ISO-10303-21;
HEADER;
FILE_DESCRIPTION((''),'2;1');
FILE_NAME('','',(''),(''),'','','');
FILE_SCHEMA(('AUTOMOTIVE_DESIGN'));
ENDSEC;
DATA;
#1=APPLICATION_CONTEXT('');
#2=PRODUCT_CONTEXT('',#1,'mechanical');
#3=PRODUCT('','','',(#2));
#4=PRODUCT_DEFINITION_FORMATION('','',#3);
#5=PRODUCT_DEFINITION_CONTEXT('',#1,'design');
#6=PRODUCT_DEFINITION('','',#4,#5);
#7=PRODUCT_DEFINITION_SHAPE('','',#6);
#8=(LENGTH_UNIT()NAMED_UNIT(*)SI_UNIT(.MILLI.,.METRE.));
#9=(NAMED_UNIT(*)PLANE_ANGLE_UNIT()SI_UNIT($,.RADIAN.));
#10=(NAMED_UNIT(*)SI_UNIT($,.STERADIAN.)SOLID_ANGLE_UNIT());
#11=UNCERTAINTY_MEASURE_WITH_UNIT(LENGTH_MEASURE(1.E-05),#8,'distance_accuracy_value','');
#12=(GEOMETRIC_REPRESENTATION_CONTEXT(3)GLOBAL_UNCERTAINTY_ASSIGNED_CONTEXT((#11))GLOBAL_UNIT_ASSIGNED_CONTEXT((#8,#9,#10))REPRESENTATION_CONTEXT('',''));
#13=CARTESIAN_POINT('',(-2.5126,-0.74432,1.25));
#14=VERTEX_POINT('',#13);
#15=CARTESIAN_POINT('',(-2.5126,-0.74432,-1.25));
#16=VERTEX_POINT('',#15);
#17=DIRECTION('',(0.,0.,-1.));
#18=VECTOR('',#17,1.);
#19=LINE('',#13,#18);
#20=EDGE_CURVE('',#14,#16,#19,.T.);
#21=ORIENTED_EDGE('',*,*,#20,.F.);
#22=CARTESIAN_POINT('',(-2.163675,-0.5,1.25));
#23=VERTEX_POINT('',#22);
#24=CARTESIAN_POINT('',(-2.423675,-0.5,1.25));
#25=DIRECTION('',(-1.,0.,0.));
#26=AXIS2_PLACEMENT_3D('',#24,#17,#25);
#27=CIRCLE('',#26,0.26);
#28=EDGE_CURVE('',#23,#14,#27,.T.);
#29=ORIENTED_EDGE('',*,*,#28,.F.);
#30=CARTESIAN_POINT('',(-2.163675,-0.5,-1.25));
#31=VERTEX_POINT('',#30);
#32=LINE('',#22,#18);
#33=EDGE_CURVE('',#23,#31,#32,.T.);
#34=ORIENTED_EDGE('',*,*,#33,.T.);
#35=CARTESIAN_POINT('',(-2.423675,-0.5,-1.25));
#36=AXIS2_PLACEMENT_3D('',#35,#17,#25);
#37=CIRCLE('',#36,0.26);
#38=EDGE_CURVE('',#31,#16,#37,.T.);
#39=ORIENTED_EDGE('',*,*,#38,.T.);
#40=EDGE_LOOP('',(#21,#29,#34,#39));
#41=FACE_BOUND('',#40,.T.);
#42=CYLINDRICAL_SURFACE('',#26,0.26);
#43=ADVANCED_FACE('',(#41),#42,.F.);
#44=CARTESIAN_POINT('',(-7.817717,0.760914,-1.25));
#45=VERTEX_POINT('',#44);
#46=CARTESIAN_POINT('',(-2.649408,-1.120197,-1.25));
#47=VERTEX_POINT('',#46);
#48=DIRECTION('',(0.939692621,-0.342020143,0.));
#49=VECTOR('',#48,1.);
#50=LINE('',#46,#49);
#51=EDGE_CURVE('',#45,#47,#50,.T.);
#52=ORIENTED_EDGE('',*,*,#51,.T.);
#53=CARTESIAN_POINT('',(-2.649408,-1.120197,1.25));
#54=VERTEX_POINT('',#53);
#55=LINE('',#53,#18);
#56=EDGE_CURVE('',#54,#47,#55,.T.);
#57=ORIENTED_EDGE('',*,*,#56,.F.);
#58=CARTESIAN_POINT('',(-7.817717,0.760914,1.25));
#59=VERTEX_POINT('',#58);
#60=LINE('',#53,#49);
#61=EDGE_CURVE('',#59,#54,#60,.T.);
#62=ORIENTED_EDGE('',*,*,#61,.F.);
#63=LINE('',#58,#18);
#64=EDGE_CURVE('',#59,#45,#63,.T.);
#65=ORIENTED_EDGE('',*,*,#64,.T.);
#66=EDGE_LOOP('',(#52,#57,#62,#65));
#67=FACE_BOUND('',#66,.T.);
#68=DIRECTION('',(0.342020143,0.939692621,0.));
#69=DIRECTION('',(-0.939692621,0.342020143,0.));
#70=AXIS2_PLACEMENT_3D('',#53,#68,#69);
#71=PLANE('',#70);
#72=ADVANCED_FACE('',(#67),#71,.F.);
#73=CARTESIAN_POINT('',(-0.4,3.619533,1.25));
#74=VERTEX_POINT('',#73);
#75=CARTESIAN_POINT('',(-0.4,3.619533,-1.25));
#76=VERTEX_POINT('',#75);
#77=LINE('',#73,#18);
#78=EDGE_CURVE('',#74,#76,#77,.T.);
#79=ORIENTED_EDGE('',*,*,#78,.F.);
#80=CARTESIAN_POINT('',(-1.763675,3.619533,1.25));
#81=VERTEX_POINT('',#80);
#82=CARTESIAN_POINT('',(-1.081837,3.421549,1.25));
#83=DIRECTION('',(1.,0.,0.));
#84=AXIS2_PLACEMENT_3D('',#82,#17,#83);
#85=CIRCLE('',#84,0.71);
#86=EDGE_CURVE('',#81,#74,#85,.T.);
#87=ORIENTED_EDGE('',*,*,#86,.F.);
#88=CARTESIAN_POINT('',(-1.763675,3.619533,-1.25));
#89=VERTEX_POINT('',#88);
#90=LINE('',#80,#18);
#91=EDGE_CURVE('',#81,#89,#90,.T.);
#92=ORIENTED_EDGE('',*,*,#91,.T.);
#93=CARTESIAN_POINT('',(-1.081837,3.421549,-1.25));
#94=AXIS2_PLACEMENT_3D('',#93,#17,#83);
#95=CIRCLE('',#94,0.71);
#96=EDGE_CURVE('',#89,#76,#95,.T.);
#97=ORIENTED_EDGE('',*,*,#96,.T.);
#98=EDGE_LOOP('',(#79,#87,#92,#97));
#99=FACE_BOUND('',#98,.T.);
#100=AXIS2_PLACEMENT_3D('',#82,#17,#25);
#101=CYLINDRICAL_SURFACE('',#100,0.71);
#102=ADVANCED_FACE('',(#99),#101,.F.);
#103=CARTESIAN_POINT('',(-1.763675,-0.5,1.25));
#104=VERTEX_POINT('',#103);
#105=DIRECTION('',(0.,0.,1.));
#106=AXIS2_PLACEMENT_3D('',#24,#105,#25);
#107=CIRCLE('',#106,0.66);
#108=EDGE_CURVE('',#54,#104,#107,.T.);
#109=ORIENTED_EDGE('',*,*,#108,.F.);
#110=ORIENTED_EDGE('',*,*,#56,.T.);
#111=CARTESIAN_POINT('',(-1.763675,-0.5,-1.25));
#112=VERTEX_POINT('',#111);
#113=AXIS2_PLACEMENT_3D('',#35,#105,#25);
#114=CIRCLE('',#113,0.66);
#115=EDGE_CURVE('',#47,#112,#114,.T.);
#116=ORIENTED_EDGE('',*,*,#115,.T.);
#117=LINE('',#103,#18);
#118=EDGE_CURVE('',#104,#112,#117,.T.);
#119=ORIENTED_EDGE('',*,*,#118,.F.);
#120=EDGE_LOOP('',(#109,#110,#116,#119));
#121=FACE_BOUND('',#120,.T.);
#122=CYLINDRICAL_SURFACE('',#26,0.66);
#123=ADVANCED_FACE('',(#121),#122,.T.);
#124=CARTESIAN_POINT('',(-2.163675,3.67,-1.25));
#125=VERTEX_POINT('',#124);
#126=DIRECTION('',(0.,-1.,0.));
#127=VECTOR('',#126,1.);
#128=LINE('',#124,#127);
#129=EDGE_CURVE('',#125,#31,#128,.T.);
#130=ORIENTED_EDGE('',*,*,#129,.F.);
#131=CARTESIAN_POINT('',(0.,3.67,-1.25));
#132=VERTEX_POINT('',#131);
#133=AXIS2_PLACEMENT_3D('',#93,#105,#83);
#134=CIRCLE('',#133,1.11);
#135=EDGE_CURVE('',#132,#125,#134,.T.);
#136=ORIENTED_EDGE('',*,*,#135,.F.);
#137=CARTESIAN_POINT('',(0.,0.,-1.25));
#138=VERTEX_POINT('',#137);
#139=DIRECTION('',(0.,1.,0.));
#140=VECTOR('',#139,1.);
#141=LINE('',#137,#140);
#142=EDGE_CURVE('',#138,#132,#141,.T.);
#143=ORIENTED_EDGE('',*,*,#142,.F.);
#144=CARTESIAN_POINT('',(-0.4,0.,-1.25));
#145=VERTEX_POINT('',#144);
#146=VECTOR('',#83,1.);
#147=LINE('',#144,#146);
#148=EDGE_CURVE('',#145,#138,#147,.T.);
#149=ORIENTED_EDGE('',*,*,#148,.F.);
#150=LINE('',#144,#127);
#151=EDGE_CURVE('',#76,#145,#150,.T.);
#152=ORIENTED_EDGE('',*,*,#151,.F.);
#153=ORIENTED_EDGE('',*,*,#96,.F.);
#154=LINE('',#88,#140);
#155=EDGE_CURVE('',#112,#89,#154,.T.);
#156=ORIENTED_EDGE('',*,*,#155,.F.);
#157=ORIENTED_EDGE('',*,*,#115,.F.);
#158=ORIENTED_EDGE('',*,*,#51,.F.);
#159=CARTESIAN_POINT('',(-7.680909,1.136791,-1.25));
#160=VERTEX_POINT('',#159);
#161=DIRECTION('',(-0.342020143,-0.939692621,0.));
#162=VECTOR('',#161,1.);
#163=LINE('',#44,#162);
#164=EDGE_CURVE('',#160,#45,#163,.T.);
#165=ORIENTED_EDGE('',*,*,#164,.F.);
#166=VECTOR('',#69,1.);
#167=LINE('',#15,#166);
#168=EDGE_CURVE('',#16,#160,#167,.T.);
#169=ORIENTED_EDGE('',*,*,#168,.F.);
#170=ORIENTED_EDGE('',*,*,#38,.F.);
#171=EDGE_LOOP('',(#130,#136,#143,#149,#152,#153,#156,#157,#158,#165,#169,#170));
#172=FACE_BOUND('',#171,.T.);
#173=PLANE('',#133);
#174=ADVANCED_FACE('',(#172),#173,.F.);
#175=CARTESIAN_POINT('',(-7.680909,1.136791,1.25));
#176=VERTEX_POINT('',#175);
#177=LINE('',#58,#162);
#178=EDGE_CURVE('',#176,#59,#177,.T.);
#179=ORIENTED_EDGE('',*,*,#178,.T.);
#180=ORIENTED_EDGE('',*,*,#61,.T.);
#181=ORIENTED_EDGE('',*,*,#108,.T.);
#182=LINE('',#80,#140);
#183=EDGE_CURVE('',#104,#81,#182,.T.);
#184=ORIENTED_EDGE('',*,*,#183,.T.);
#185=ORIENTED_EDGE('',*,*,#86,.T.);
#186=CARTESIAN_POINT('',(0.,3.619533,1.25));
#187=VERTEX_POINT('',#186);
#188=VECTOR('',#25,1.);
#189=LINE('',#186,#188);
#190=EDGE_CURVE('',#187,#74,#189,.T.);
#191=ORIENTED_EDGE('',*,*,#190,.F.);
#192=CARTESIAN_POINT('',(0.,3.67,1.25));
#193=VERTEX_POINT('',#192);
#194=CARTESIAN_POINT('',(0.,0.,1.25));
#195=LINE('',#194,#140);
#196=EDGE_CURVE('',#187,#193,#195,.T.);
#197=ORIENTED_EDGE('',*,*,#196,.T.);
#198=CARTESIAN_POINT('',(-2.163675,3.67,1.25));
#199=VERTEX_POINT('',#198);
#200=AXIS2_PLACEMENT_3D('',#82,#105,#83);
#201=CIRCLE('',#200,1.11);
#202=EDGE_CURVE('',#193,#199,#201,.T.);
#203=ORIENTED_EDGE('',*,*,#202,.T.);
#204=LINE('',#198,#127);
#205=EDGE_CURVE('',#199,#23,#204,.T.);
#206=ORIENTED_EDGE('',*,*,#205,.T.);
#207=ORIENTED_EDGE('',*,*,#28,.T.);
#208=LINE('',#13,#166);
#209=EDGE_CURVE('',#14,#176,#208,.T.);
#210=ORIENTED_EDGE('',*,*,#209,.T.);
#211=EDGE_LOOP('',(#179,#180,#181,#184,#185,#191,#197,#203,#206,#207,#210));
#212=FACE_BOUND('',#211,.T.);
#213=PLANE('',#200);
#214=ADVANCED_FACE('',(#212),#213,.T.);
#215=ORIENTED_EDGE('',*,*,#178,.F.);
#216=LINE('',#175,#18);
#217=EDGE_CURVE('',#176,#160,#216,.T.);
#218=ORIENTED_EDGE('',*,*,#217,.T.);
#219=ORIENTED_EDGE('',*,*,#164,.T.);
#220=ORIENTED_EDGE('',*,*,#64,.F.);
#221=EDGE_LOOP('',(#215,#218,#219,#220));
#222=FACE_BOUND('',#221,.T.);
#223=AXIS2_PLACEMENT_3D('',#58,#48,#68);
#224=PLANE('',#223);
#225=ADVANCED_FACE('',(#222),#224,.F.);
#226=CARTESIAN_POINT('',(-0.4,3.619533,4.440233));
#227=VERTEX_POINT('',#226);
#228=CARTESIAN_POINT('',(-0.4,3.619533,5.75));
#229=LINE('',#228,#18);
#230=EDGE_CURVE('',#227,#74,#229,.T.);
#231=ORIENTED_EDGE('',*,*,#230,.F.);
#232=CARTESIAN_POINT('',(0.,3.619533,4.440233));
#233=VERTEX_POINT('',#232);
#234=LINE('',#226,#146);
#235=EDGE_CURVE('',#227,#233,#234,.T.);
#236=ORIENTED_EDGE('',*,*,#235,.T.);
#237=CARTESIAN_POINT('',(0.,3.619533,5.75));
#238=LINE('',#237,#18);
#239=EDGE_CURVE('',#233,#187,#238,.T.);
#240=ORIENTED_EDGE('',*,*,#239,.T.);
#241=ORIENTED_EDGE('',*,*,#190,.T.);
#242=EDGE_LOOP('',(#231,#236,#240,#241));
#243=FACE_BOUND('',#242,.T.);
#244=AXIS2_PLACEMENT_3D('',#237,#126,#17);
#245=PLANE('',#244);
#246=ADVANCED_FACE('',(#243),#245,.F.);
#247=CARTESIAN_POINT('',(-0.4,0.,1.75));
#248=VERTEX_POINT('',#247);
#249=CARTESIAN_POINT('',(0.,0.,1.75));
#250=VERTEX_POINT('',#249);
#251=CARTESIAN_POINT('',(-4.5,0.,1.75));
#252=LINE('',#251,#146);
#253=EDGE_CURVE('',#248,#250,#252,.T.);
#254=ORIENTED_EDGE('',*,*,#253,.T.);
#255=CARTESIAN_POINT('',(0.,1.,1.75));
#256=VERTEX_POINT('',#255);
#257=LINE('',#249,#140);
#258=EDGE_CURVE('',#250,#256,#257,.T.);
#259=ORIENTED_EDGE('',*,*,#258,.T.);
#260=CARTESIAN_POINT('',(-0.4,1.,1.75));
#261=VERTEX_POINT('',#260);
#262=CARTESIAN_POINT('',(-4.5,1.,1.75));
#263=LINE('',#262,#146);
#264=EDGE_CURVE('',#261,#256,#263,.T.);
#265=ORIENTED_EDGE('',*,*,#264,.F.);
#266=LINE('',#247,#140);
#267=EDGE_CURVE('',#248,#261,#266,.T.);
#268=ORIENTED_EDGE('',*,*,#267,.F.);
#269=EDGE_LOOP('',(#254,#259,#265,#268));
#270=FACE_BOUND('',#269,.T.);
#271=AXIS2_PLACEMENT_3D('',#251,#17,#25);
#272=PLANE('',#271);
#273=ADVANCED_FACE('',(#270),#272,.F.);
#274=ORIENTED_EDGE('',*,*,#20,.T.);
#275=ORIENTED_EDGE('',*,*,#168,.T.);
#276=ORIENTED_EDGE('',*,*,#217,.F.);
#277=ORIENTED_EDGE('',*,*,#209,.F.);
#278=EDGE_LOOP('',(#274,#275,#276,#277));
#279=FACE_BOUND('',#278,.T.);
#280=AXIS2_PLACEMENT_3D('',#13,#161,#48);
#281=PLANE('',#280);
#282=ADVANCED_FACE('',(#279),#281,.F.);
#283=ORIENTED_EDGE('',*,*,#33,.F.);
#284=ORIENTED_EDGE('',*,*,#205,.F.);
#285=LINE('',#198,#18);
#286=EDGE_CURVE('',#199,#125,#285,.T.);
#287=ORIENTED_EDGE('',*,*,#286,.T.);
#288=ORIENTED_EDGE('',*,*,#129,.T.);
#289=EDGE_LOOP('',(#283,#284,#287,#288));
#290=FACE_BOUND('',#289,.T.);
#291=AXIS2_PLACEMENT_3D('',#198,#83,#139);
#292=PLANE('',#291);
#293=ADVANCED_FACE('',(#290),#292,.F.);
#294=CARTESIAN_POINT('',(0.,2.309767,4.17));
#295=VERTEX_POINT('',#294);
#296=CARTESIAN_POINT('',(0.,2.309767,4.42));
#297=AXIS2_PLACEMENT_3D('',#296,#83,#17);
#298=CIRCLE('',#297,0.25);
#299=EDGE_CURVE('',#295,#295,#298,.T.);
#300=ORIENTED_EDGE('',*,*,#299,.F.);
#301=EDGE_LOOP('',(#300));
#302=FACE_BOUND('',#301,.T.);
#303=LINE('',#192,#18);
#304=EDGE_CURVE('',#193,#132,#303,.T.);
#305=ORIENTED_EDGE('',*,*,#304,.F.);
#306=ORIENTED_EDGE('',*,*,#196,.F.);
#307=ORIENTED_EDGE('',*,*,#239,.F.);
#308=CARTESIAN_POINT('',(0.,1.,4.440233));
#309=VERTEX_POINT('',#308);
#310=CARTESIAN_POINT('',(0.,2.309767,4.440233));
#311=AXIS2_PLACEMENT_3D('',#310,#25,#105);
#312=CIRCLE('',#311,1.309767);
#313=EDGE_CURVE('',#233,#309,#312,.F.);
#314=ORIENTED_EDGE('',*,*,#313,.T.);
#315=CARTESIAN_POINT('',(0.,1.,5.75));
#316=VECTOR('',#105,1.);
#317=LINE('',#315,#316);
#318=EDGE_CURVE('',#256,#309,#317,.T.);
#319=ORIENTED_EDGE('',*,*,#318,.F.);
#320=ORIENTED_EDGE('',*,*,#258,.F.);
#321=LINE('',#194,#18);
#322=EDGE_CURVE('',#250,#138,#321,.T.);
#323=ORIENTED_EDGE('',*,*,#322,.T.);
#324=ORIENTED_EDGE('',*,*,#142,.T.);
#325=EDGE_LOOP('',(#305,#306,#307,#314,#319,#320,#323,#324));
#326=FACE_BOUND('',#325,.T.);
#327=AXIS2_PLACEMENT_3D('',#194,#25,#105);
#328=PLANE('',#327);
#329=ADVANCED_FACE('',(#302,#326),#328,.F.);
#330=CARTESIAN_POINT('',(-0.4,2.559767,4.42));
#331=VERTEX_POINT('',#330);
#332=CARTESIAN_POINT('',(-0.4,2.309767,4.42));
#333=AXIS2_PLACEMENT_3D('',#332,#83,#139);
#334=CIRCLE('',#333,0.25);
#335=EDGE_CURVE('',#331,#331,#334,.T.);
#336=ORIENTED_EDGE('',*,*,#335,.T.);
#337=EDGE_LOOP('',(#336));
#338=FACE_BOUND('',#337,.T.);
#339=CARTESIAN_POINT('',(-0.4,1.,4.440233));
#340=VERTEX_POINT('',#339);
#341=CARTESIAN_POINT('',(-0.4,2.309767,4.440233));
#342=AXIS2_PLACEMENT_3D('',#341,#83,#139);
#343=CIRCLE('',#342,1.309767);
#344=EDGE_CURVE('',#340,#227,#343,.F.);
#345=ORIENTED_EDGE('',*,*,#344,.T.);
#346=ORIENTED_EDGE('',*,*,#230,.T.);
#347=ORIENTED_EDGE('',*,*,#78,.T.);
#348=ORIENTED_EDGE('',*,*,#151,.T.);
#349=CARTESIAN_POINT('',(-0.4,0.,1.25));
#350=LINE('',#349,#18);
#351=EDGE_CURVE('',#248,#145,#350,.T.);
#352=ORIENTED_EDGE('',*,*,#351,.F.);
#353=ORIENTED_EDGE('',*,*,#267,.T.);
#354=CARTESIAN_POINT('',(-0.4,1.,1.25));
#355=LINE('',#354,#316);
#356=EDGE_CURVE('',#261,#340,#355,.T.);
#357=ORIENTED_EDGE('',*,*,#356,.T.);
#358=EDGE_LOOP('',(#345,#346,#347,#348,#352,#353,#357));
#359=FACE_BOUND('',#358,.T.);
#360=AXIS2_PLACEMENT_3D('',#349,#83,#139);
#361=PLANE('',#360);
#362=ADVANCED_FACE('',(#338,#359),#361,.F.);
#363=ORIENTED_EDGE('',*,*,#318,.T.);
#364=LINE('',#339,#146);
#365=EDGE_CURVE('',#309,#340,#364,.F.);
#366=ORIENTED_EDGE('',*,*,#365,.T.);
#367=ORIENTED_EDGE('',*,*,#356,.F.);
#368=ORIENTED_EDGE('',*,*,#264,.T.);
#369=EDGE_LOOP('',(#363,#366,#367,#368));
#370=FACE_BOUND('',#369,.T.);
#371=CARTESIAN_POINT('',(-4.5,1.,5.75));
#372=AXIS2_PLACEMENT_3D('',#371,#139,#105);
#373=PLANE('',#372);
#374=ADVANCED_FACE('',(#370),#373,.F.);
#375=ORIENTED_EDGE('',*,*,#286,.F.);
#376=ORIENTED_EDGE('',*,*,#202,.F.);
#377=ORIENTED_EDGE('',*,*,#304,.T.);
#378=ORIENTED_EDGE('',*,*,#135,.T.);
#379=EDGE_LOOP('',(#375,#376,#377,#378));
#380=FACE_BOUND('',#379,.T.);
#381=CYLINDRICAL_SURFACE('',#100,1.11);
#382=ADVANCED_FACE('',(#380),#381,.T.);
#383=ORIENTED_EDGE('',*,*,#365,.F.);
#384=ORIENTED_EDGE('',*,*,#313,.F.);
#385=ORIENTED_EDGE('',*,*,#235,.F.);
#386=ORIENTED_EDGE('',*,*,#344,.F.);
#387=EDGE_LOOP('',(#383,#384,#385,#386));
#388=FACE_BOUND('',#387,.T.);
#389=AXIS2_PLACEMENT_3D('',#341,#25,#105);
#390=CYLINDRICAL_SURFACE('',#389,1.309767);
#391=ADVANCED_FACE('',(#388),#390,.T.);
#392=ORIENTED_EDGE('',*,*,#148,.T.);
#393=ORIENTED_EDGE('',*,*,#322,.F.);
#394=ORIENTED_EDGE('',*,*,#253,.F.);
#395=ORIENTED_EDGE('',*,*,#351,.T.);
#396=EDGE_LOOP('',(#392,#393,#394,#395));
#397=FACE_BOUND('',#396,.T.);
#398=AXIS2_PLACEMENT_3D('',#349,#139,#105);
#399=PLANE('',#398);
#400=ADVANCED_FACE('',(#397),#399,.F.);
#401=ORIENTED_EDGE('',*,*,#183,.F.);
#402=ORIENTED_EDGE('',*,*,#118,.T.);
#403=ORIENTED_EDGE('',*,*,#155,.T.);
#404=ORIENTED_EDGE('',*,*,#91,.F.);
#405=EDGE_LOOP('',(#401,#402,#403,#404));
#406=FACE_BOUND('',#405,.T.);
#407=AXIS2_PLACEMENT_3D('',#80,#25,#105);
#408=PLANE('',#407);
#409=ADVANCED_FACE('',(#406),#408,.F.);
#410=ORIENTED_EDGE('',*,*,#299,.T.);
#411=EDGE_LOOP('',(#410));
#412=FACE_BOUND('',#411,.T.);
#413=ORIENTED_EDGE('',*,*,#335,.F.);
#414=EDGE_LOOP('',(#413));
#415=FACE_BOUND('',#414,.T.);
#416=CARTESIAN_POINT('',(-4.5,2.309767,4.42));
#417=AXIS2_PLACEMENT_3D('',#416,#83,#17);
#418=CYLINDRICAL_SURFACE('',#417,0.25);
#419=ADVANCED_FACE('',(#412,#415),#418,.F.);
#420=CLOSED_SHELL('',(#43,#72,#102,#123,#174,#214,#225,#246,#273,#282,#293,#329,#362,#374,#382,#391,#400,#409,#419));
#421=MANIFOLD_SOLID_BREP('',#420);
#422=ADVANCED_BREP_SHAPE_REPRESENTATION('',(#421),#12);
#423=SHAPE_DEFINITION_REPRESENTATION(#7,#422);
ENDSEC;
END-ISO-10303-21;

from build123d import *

# Parameters (mm, degrees)
BOSS_EXTRUDE1_DEPTH = 1.25
SKETCH2_W           = 0.4
SKETCH2_H           = 3.619533261
BOSS_EXTRUDE2_DEPTH = 4.5
SKETCH3_W           = 4
SKETCH3_H           = 1
CUT_EXTRUDE1_DEPTH  = 4.5
SKETCH4_R           = 0.25
CUT_EXTRUDE2_DEPTH  = 4.5
FILLET1_RADIUS      = 1.309766631
FILLET1_LENGTH      = 0.4


with BuildPart() as part:
    # Sketch1 → Boss-Extrude1 (new, symmetric)
    with BuildSketch(Plane.XY):
        with BuildLine():
            Line((0, 0), (0, 3.67))
            ThreePointArc((0, 3.67), (-1.08183729, 4.531548642), (-2.163674581, 3.67))
            Line((-2.163674581, 3.67), (-2.163674581, -0.5))
            ThreePointArc((-2.163674581, -0.5), (-2.274544707, -0.712979532), (-2.512599818, -0.744320081))
            Line((-2.512599818, -0.744320081), (-7.680909232, 1.136790707))
            Line((-7.680909232, 1.136790707), (-7.817717289, 0.760913659))
            Line((-7.817717289, 0.760913659), (-2.649407875, -1.12019713))
            ThreePointArc((-2.649407875, -1.12019713), (-2.045114133, -1.040640349), (-1.763674581, -0.5))
            Line((-1.763674581, -0.5), (-1.763674581, 3.619533261))
            ThreePointArc((-1.763674581, 3.619533261), (-1.08183729, 4.131548642), (-0.4, 3.619533261))
            Line((-0.4, 3.619533261), (-0.4, 0))
            Line((-0.4, 0), (0, 0))
        make_face()
    extrude(amount=BOSS_EXTRUDE1_DEPTH, both=True)

    # Sketch2 → Boss-Extrude2 (add)
    with BuildSketch(Plane.XY.offset(1.25)):
        with Locations((-0.2, 1.809766631)):
            Rectangle(SKETCH2_W, SKETCH2_H)
    extrude(amount=BOSS_EXTRUDE2_DEPTH)

    # Sketch3 → Cut-Extrude1 (cut)
    with BuildSketch(Plane(origin=(0, 0, 0), x_dir=(0, 0, -1), z_dir=(1, 0, 0))):
        with Locations((-3.75, 0.5)):
            Rectangle(SKETCH3_W, SKETCH3_H)
    extrude(amount=-CUT_EXTRUDE1_DEPTH, mode=Mode.SUBTRACT)

    # Sketch4 → Cut-Extrude2 (cut)
    with BuildSketch(Plane(origin=(0, 0, 0), x_dir=(0, 0, -1), z_dir=(1, 0, 0))):
        with Locations((-4.42, 2.309766631)):
            Circle(SKETCH4_R)
    extrude(amount=-CUT_EXTRUDE2_DEPTH, mode=Mode.SUBTRACT)

    # Fillet1: full round fillet: the end face becomes a half cylinder, R = half its width
    fillet1_face = Plane((-0.2, 2.309766631, 5.75), x_dir=(-1, 0, 0), z_dir=(0, 0, 1))  # on the end face: x along it, z out of the body
    fillet1_slab = fillet1_face.offset(-FILLET1_RADIUS / 2) * Box(FILLET1_LENGTH, 2 * FILLET1_RADIUS, FILLET1_RADIUS, mode=Mode.PRIVATE)  # the body's end, R deep
    fillet1_round = Plane((-0.2, 2.309766631, 4.440233369), x_dir=(0, 0, 1), z_dir=(-1, 0, 0)) * Cylinder(FILLET1_RADIUS, FILLET1_LENGTH, mode=Mode.PRIVATE)  # its axis R under the face
    add(fillet1_slab - fillet1_round, mode=Mode.SUBTRACT)


solid = part.part
